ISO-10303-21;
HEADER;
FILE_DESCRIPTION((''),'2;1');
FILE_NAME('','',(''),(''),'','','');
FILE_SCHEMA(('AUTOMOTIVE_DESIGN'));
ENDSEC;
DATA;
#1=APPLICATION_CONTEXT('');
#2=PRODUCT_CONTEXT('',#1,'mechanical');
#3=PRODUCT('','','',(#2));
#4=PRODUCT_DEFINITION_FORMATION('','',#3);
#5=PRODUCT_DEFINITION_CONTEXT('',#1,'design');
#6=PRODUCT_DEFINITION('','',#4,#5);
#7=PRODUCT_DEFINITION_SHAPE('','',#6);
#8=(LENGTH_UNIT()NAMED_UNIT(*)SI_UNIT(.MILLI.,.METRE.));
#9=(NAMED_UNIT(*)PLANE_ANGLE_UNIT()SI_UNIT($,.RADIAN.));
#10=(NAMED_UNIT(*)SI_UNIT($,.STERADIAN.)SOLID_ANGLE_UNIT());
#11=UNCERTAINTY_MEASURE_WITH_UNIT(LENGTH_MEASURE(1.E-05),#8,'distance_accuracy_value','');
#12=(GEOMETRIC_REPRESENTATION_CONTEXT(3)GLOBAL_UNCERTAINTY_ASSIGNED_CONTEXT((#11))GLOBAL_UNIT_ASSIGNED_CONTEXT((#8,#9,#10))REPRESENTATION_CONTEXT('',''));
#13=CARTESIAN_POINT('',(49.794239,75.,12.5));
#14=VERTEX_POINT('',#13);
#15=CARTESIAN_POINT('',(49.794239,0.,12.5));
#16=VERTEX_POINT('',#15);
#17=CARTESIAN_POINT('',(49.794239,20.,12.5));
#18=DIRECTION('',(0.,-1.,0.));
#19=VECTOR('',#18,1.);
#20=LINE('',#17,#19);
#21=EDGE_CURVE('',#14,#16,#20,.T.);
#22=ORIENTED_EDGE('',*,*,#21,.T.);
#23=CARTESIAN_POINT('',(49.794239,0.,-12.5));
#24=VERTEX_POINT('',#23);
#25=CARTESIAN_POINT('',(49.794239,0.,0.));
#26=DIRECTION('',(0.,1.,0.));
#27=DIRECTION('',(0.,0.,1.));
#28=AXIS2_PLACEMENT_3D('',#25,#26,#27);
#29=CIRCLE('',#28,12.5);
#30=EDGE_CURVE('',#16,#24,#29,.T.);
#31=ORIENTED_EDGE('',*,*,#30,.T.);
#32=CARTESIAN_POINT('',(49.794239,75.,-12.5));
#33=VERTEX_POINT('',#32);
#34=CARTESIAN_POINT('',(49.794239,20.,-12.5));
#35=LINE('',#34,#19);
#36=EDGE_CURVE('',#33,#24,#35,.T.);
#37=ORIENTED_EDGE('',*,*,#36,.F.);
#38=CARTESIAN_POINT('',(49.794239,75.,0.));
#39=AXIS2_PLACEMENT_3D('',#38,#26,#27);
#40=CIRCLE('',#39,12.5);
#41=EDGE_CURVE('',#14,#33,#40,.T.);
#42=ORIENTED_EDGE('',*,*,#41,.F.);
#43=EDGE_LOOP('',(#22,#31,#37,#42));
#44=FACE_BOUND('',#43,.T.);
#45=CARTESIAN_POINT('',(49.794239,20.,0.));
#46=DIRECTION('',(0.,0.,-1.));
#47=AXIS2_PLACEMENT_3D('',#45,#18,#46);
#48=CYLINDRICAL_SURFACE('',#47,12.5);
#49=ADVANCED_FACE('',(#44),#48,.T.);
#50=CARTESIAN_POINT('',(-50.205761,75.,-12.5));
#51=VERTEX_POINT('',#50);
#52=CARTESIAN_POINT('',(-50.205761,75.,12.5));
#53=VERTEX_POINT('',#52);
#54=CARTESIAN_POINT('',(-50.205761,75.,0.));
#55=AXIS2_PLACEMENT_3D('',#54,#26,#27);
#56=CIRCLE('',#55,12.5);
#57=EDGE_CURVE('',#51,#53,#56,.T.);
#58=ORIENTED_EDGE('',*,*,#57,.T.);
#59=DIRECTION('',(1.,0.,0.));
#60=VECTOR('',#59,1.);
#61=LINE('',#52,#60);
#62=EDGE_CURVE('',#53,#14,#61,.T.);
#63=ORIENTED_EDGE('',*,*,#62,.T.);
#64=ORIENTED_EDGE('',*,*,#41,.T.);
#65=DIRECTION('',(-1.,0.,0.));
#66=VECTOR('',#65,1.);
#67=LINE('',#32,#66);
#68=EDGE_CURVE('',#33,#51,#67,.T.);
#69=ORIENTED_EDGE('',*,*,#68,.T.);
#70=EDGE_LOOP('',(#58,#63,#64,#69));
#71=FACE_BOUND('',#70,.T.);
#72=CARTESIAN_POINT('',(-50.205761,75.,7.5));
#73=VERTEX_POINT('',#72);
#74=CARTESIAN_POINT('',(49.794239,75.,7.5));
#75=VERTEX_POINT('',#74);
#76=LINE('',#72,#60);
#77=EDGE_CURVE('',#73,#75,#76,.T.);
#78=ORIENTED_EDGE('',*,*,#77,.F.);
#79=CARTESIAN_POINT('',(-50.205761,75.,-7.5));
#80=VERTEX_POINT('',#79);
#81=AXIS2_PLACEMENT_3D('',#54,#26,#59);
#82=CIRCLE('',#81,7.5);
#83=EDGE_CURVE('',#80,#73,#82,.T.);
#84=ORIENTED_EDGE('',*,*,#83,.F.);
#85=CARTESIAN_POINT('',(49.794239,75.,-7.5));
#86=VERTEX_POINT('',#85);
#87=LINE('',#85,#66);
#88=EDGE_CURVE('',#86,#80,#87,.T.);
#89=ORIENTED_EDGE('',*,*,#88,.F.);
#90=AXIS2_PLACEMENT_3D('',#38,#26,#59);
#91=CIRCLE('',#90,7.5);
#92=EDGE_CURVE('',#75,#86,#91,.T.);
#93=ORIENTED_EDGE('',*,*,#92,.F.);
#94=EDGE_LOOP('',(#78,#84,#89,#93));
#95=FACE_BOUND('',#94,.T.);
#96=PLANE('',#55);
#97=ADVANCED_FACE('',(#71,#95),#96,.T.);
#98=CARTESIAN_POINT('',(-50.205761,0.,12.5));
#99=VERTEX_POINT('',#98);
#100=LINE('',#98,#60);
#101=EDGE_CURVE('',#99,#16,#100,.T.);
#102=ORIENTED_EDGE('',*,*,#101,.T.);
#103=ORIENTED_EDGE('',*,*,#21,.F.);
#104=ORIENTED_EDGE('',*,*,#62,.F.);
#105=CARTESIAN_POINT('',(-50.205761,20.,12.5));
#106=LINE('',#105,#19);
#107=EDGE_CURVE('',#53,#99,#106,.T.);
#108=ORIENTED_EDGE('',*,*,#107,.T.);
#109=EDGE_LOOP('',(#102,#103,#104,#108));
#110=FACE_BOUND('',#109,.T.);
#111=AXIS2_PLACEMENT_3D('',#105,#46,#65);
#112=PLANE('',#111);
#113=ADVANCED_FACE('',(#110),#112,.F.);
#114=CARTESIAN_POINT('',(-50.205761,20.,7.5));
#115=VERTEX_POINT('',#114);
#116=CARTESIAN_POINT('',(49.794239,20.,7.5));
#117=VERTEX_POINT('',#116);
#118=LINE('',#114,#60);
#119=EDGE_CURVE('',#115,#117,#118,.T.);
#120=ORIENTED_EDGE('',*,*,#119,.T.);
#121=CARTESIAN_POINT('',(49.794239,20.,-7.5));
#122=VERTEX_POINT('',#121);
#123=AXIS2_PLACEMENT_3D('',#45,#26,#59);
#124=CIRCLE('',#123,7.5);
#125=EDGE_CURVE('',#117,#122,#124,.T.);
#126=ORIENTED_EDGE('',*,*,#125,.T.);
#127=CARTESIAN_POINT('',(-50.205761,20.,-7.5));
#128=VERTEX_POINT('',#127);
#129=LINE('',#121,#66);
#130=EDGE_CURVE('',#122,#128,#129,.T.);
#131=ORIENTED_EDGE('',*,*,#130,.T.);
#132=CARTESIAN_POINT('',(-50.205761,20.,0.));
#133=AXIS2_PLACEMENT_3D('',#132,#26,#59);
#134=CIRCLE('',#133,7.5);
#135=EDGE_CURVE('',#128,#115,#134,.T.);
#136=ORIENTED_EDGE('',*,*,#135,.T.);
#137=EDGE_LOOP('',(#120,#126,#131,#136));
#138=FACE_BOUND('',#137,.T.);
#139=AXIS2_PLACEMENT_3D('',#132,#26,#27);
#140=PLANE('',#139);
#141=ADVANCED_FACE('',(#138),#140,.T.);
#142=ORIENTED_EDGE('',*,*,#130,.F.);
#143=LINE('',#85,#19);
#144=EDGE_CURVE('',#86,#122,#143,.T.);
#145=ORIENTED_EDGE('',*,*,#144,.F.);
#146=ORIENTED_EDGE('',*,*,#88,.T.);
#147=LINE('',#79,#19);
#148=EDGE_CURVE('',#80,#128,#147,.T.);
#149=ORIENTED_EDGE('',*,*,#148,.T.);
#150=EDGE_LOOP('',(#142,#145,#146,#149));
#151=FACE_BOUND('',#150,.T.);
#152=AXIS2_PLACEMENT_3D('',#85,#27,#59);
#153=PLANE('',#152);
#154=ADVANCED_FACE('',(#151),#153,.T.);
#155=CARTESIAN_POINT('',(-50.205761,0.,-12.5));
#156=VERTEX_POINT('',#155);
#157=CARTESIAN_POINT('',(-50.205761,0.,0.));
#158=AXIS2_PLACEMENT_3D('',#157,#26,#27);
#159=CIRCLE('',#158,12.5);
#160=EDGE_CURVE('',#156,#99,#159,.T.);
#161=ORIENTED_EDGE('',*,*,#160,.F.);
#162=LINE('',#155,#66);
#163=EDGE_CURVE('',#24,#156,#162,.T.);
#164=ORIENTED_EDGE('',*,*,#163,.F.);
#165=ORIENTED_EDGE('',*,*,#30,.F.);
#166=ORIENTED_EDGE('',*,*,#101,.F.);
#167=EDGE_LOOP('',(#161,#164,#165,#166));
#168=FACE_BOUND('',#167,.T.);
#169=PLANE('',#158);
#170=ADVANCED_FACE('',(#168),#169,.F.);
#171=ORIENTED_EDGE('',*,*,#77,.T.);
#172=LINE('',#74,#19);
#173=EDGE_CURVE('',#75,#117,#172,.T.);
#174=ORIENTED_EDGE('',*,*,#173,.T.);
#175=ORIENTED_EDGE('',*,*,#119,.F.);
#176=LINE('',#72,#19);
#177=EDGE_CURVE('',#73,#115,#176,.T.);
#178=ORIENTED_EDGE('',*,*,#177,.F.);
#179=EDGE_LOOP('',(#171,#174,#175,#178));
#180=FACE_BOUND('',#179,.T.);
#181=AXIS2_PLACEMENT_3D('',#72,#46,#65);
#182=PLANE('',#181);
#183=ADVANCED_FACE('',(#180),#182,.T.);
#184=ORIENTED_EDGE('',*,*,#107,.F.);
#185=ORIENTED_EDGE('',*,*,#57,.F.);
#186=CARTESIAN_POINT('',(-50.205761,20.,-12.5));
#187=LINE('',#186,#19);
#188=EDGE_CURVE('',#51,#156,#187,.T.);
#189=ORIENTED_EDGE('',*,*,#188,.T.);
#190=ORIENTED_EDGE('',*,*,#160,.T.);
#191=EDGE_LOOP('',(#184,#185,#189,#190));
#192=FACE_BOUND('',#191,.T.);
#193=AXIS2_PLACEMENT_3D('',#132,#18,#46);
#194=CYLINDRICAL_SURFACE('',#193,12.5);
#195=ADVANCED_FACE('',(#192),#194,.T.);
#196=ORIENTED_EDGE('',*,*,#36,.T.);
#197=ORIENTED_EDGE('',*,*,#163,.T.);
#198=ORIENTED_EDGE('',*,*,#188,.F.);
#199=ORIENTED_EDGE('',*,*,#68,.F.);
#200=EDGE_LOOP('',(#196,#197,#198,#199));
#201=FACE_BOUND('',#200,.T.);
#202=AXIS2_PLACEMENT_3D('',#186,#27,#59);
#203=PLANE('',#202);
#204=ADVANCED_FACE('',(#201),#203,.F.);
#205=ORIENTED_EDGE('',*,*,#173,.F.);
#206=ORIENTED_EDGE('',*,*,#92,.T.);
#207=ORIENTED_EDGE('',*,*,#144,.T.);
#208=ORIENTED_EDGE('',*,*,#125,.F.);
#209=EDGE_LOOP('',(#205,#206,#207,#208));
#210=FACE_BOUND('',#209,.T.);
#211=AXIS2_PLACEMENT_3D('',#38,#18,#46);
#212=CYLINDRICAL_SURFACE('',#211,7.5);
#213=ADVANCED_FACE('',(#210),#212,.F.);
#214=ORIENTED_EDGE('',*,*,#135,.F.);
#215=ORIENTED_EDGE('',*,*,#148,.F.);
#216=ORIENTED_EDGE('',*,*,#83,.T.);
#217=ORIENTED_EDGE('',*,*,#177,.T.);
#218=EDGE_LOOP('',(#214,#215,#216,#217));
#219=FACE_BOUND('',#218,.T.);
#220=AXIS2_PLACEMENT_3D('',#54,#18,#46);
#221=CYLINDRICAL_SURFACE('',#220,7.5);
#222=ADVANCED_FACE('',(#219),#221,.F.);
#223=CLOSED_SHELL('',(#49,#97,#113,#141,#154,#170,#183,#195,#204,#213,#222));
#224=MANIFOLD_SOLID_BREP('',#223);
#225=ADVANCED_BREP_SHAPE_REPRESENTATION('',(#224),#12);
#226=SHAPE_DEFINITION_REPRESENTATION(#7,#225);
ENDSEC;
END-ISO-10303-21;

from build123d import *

# Parameters (mm, degrees)
EXTRUDE_1_DEPTH   = 20
EXTRUDE_1_2_DEPTH = 55


with BuildPart() as part:
    # 草图1 → Extrude 1 (new body)
    with BuildSketch(Plane(origin=(0, 0, 0), x_dir=(1, 0, 0), z_dir=(0, 1, 0))):
        with BuildLine():
            Line((-50.205761317, 12.5), (49.794238683, 12.5))
            ThreePointArc((49.794238683, 12.5), (62.294238683, 0), (49.794238683, -12.5))
            Line((49.794238683, -12.5), (-50.205761317, -12.5))
            ThreePointArc((-50.205761317, -12.5), (-62.705761317, 0), (-50.205761317, 12.5))
        make_face()
    extrude(amount=EXTRUDE_1_DEPTH)

    # 草图2 → Extrude 1 2 (add)
    with BuildSketch(Plane(origin=(0, 20, 0), x_dir=(1, 0, 0), z_dir=(0, 1, 0))):
        with BuildLine():
            Line((49.794238683, 12.5), (-50.205761317, 12.5))
            ThreePointArc((-50.205761317, 12.5), (-62.705761317, 0), (-50.205761317, -12.5))
            Line((-50.205761317, -12.5), (49.794238683, -12.5))
            ThreePointArc((49.794238683, -12.5), (62.294238683, 0), (49.794238683, 12.5))
        make_face()
        with BuildLine():
            Line((49.794238683, 7.5), (-50.205761317, 7.5))
            ThreePointArc((-50.205761317, 7.5), (-57.705761317, 0), (-50.205761317, -7.5))
            Line((-50.205761317, -7.5), (49.794238683, -7.5))
            ThreePointArc((49.794238683, -7.5), (57.294238683, 0), (49.794238683, 7.5))
        make_face(mode=Mode.SUBTRACT)
    extrude(amount=EXTRUDE_1_2_DEPTH)


solid = part.part
